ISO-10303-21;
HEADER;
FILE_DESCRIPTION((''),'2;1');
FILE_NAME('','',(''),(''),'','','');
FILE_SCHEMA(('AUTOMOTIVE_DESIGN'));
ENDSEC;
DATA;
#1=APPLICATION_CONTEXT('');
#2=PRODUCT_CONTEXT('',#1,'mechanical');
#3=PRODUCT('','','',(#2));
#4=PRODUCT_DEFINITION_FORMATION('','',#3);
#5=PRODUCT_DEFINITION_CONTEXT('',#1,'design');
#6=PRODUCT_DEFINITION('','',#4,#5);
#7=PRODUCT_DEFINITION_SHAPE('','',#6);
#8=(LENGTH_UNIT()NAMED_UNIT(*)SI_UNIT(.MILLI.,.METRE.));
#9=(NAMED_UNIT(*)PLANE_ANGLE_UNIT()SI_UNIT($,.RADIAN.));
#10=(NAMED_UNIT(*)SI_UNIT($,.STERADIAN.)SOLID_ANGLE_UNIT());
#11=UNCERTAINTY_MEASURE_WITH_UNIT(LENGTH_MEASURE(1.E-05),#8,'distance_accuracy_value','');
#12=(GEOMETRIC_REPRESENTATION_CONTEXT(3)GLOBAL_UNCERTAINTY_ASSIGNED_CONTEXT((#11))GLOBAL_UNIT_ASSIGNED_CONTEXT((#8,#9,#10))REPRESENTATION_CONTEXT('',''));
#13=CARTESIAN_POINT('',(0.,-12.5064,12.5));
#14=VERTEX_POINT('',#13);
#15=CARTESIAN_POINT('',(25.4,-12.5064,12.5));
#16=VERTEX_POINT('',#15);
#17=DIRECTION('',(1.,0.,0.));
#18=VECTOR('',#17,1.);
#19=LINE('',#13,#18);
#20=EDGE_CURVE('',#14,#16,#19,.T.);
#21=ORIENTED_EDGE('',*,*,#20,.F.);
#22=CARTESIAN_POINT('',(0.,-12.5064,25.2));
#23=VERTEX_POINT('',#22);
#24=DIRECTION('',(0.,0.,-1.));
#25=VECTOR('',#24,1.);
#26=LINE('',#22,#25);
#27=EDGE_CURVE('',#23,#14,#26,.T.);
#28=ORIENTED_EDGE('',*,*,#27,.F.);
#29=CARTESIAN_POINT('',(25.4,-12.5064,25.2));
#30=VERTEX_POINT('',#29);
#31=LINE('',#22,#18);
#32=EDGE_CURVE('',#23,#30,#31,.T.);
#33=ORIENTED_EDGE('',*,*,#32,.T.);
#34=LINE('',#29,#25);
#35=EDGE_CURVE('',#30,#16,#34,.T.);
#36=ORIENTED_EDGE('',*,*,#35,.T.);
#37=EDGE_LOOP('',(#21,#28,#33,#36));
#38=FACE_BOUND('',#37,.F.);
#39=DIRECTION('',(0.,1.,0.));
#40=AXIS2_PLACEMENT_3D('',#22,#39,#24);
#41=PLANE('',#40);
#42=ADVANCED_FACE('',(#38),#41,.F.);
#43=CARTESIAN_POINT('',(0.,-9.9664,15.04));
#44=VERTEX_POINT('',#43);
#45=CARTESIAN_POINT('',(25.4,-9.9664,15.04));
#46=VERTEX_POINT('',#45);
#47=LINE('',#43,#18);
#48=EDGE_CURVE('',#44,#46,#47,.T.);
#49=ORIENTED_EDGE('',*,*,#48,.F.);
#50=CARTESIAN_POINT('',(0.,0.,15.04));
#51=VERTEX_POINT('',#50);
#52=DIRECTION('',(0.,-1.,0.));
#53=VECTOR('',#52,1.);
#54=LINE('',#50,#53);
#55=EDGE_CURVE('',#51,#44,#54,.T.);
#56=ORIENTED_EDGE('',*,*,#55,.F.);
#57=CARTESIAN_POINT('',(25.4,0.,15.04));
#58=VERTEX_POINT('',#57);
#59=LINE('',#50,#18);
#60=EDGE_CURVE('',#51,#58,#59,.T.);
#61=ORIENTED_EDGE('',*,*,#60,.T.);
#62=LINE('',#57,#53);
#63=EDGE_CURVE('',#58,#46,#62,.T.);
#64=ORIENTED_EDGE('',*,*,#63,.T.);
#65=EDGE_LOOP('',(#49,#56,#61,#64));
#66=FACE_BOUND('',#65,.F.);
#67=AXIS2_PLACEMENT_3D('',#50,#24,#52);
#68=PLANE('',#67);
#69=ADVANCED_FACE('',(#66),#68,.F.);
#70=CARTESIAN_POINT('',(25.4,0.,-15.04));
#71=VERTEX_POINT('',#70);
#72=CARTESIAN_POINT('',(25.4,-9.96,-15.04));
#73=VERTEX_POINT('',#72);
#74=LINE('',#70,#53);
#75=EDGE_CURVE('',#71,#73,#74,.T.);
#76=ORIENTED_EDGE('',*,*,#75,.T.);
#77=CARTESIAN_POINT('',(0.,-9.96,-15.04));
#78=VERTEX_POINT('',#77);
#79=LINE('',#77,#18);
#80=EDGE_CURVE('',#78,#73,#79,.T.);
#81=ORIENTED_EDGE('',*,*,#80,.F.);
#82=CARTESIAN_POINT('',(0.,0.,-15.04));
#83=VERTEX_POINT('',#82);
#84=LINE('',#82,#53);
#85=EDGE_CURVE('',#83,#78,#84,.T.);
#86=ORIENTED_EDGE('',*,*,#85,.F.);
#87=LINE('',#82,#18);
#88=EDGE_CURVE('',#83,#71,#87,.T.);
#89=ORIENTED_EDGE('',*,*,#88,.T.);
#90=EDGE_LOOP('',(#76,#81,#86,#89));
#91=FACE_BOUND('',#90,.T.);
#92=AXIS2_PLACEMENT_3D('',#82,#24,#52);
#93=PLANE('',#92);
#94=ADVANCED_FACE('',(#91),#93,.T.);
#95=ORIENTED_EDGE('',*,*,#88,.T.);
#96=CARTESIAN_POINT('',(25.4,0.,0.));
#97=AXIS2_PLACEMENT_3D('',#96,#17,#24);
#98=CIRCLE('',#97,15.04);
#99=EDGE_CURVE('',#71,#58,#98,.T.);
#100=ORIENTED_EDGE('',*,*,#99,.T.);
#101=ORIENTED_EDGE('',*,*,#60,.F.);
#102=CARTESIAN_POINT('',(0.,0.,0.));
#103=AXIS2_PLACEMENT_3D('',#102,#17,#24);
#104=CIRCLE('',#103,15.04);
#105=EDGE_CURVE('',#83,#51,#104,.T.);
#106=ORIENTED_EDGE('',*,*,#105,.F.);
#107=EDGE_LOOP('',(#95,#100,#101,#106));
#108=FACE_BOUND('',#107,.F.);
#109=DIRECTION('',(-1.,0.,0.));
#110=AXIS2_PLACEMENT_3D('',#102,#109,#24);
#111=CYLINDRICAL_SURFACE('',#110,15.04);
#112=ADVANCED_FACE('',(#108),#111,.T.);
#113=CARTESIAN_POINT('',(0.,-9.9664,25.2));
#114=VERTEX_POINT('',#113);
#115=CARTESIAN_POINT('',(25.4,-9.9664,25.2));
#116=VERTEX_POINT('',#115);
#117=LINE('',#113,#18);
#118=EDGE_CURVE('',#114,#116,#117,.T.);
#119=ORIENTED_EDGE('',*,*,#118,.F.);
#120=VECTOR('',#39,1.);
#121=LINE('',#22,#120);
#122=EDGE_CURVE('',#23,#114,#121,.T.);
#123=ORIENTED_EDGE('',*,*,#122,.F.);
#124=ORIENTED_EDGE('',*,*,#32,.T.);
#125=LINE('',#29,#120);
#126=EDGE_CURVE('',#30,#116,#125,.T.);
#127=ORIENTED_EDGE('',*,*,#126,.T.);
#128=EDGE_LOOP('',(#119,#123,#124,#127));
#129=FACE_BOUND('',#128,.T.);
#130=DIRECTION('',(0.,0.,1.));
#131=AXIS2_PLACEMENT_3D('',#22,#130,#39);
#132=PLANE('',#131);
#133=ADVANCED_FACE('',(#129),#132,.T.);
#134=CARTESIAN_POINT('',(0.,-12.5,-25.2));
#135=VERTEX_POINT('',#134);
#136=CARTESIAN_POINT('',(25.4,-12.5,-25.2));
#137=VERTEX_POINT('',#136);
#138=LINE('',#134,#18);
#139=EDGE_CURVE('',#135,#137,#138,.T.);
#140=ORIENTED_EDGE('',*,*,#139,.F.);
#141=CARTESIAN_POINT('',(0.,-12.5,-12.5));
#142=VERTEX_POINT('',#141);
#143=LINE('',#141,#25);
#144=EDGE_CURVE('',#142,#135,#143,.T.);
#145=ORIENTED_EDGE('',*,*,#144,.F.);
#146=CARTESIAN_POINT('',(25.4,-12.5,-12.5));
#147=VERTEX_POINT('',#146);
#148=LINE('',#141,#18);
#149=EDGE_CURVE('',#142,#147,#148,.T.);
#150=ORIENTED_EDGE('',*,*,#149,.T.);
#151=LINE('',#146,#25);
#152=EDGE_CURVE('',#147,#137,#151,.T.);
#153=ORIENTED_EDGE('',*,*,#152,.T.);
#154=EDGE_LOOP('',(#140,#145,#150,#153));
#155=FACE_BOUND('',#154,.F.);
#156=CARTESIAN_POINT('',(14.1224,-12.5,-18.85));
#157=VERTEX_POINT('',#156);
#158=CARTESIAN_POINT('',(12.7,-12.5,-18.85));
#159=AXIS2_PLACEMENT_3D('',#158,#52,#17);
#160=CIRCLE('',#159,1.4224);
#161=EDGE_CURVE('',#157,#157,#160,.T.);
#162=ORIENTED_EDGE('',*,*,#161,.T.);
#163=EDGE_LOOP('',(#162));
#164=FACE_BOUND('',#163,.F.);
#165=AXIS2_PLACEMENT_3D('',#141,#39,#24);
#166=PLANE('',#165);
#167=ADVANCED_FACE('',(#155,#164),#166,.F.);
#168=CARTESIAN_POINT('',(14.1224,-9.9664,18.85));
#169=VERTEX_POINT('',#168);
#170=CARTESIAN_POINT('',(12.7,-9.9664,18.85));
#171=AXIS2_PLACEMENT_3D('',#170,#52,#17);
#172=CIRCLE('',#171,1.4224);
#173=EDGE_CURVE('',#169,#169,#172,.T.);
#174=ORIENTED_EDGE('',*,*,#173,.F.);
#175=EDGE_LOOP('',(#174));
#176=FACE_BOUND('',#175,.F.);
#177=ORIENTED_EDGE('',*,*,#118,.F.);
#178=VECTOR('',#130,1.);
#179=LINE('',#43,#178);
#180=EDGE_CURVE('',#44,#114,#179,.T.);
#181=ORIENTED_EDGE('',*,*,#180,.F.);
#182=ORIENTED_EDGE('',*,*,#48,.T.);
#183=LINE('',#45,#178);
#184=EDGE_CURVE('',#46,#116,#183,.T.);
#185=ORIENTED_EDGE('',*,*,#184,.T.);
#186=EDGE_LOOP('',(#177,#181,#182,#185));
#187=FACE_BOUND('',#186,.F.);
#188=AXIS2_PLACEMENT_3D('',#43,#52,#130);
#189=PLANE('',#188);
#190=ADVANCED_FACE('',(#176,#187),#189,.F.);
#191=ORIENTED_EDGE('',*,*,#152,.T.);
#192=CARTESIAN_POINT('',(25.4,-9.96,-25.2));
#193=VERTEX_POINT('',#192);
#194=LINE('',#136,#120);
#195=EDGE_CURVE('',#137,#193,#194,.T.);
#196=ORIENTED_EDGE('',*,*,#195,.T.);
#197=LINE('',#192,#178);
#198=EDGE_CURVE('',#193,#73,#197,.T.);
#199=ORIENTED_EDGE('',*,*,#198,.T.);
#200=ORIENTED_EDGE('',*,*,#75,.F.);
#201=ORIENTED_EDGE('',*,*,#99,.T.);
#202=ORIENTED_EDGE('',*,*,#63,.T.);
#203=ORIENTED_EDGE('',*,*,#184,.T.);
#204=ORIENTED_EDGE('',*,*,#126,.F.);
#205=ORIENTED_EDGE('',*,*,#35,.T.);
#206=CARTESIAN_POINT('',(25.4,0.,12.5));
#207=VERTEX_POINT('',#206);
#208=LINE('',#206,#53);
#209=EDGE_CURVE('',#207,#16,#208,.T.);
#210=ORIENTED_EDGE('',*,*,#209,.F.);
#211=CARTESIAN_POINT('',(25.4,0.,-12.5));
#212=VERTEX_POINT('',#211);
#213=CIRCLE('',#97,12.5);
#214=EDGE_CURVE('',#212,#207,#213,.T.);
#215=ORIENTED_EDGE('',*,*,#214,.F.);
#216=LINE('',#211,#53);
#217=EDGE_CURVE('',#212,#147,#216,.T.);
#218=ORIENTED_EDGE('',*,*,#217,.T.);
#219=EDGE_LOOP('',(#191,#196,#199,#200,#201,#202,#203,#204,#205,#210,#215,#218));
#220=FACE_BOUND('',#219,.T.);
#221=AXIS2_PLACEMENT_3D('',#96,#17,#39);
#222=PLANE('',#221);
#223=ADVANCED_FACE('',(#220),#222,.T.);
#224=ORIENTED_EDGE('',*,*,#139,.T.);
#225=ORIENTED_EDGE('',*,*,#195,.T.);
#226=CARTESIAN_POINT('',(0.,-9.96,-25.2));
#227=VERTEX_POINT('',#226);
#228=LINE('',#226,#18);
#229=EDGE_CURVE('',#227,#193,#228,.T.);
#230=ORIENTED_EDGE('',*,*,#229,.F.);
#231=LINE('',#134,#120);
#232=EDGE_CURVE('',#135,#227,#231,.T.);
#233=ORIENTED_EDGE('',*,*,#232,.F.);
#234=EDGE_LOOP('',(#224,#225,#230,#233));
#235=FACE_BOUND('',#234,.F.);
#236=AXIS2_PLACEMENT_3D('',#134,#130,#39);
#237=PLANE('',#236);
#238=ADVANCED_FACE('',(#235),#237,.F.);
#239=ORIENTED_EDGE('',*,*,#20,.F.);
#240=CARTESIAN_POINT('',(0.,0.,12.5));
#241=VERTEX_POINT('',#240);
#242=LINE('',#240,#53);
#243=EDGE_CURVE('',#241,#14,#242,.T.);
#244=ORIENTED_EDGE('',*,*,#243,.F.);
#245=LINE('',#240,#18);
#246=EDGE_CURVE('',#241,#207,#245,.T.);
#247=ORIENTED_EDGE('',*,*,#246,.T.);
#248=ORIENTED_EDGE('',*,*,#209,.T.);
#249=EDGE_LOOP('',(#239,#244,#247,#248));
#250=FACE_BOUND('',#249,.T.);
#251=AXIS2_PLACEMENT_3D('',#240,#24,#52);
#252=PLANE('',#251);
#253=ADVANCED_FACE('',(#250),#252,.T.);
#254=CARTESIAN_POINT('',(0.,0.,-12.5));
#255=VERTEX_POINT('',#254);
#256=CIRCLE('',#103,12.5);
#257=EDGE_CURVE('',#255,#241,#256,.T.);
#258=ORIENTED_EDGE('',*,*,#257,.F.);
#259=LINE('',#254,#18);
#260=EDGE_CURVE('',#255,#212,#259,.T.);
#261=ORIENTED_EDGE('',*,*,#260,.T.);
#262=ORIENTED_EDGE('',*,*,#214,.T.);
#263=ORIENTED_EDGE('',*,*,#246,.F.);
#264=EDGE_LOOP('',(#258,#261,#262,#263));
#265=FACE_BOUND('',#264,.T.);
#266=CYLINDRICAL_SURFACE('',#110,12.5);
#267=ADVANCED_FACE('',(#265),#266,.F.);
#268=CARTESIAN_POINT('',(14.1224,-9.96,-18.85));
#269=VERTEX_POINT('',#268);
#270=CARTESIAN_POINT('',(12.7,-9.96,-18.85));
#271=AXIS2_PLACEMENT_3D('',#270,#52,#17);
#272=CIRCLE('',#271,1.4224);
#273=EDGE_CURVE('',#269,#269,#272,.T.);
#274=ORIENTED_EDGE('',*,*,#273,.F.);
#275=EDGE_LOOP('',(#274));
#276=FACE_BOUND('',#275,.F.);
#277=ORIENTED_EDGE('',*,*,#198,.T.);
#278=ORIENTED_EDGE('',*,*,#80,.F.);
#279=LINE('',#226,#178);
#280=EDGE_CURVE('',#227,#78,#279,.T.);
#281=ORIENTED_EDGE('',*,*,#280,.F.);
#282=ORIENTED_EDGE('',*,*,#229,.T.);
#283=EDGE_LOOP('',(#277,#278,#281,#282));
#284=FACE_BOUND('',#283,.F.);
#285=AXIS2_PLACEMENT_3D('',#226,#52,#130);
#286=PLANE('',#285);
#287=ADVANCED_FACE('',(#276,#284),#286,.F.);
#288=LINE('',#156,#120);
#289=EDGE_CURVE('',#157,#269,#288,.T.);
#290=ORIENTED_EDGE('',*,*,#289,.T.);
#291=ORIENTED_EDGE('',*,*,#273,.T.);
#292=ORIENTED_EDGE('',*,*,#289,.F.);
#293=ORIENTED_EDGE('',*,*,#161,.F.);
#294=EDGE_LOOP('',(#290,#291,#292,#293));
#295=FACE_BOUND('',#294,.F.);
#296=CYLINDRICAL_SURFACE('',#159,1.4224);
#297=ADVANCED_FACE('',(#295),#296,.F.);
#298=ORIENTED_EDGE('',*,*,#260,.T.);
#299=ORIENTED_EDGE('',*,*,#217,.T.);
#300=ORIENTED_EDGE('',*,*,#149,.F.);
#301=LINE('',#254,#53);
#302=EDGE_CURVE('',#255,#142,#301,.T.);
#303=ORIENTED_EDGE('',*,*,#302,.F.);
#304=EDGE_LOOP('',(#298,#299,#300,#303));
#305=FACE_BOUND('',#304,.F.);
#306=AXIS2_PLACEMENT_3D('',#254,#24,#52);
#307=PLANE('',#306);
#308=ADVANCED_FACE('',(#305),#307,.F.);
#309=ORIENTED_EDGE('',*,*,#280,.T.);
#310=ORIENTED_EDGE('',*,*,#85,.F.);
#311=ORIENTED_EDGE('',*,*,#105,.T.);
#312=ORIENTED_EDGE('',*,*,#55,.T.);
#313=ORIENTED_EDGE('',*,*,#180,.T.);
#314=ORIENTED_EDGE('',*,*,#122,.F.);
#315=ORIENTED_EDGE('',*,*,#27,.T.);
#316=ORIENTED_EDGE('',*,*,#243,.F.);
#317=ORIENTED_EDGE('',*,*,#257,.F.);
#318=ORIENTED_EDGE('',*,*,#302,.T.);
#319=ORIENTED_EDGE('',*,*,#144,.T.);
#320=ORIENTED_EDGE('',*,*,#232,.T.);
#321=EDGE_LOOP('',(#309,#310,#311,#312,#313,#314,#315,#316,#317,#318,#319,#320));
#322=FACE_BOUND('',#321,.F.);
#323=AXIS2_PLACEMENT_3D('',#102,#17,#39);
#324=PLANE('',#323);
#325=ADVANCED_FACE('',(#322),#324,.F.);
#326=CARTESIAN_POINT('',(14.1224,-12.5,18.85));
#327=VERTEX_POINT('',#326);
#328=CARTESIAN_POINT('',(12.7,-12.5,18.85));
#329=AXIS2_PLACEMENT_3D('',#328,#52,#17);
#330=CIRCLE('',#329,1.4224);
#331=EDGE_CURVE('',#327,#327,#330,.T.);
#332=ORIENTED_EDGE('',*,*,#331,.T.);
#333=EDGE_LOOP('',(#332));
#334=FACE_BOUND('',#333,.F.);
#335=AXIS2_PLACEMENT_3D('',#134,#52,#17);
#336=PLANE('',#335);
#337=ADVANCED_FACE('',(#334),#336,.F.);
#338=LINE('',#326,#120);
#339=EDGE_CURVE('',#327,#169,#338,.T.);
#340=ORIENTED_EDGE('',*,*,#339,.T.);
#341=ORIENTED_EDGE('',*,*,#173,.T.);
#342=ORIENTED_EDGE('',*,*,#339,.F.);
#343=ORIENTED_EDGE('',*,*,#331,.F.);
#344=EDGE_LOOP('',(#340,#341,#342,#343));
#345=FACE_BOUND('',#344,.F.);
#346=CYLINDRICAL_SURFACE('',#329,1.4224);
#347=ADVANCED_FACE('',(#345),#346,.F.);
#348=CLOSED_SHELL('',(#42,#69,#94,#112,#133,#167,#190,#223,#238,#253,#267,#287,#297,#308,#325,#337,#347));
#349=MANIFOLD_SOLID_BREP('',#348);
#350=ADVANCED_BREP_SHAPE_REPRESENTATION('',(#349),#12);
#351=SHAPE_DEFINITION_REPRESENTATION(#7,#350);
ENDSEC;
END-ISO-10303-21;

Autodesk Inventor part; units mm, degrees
ref_plane "YZ Plane" through (0, 0, 0) normal (1, 0, 0) x (0, 1, 0)
ref_plane "XZ Plane" through (0, 0, 0) normal (0, 1, 0) x (-1, 0, 0)
ref_plane "XY Plane" through (0, 0, 0) normal (0, 0, 1) x (1, 0, 0)
sketch "Sketch1" plane through (0, 0, 0) normal (1, 0, 0) x (0, 1, 0)
  arc A0 (0, -12.5) -> (0, 12.5) centre (0, 0) ccw
  line L0 (-12.5, -25.2) -> (-9.96, -25.2)
  line L1 (-9.96, -25.2) -> (-9.96, -15.04)
  line L2 (-12.5064, 25.2) -> (-9.9664, 25.2)
  line L3 (-12.5064, 25.2) -> (-12.5064, 12.5)
  line L4 (-12.5, -12.5) -> (-12.5, -25.2)
  line L5 (-9.9664, 15.04) -> (-9.9664, 25.2)
  arc A1 (0, -15.04) -> (0, 15.04) centre (0, 0) ccw
  line L6 (0, 15.04) -> (-9.9664, 15.04)
  line L7 (0, 12.5) -> (-12.5064, 12.5)
  line L8 (0, -12.5) -> (-12.5, -12.5)
  line L9 (0, -15.04) -> (-9.96, -15.04)
  point P0 (-4.98, -15)
  dimension "d0" = 25
  dimension "d9" = 12.7
  dimension "d10" = 12.7
  dimension "d11" = 2.54
  dimension "d12" = 2.54
  dimension "d15" = 2.54
  dimension "d17" = 0.0064
  dimension "d23" = 0
  dimension "d24" = 0
  dimension "d25" = 0
  dimension "d26" = 0
  dimension "d27" = 0.04
  dimension "d28" = 4.98
extrude "Extrusion1" add sketch "Sketch1" along normal blind 25.4
sketch "Sketch2" plane through (0, -12.5, -25.2) normal (0, -1, 0) x (1, 0, 0)
  circle A0 centre (12.7, 44.05) radius 1.4224
  circle A1 centre (12.7, 6.35) radius 1.4224
  line L0 (0, 50.4) -> (25.4, 50.4) projected
  line L1 (25.4, 50.4) -> (25.4, 37.7) projected
  line L2 (0, 0) -> (25.4, 0) projected
  point P0 (0, 25.2)
  dimension "d31" = 2.8448
  dimension "d32" = 6.35
  dimension "d33" = 12.7
  dimension "d34" = 0
  dimension "d35" = 6.35
  dimension "d36" = 2.8448
extrude "Extrusion2" cut sketch "Sketch2" against normal blind 25.4
properties part number "Motor mount"
